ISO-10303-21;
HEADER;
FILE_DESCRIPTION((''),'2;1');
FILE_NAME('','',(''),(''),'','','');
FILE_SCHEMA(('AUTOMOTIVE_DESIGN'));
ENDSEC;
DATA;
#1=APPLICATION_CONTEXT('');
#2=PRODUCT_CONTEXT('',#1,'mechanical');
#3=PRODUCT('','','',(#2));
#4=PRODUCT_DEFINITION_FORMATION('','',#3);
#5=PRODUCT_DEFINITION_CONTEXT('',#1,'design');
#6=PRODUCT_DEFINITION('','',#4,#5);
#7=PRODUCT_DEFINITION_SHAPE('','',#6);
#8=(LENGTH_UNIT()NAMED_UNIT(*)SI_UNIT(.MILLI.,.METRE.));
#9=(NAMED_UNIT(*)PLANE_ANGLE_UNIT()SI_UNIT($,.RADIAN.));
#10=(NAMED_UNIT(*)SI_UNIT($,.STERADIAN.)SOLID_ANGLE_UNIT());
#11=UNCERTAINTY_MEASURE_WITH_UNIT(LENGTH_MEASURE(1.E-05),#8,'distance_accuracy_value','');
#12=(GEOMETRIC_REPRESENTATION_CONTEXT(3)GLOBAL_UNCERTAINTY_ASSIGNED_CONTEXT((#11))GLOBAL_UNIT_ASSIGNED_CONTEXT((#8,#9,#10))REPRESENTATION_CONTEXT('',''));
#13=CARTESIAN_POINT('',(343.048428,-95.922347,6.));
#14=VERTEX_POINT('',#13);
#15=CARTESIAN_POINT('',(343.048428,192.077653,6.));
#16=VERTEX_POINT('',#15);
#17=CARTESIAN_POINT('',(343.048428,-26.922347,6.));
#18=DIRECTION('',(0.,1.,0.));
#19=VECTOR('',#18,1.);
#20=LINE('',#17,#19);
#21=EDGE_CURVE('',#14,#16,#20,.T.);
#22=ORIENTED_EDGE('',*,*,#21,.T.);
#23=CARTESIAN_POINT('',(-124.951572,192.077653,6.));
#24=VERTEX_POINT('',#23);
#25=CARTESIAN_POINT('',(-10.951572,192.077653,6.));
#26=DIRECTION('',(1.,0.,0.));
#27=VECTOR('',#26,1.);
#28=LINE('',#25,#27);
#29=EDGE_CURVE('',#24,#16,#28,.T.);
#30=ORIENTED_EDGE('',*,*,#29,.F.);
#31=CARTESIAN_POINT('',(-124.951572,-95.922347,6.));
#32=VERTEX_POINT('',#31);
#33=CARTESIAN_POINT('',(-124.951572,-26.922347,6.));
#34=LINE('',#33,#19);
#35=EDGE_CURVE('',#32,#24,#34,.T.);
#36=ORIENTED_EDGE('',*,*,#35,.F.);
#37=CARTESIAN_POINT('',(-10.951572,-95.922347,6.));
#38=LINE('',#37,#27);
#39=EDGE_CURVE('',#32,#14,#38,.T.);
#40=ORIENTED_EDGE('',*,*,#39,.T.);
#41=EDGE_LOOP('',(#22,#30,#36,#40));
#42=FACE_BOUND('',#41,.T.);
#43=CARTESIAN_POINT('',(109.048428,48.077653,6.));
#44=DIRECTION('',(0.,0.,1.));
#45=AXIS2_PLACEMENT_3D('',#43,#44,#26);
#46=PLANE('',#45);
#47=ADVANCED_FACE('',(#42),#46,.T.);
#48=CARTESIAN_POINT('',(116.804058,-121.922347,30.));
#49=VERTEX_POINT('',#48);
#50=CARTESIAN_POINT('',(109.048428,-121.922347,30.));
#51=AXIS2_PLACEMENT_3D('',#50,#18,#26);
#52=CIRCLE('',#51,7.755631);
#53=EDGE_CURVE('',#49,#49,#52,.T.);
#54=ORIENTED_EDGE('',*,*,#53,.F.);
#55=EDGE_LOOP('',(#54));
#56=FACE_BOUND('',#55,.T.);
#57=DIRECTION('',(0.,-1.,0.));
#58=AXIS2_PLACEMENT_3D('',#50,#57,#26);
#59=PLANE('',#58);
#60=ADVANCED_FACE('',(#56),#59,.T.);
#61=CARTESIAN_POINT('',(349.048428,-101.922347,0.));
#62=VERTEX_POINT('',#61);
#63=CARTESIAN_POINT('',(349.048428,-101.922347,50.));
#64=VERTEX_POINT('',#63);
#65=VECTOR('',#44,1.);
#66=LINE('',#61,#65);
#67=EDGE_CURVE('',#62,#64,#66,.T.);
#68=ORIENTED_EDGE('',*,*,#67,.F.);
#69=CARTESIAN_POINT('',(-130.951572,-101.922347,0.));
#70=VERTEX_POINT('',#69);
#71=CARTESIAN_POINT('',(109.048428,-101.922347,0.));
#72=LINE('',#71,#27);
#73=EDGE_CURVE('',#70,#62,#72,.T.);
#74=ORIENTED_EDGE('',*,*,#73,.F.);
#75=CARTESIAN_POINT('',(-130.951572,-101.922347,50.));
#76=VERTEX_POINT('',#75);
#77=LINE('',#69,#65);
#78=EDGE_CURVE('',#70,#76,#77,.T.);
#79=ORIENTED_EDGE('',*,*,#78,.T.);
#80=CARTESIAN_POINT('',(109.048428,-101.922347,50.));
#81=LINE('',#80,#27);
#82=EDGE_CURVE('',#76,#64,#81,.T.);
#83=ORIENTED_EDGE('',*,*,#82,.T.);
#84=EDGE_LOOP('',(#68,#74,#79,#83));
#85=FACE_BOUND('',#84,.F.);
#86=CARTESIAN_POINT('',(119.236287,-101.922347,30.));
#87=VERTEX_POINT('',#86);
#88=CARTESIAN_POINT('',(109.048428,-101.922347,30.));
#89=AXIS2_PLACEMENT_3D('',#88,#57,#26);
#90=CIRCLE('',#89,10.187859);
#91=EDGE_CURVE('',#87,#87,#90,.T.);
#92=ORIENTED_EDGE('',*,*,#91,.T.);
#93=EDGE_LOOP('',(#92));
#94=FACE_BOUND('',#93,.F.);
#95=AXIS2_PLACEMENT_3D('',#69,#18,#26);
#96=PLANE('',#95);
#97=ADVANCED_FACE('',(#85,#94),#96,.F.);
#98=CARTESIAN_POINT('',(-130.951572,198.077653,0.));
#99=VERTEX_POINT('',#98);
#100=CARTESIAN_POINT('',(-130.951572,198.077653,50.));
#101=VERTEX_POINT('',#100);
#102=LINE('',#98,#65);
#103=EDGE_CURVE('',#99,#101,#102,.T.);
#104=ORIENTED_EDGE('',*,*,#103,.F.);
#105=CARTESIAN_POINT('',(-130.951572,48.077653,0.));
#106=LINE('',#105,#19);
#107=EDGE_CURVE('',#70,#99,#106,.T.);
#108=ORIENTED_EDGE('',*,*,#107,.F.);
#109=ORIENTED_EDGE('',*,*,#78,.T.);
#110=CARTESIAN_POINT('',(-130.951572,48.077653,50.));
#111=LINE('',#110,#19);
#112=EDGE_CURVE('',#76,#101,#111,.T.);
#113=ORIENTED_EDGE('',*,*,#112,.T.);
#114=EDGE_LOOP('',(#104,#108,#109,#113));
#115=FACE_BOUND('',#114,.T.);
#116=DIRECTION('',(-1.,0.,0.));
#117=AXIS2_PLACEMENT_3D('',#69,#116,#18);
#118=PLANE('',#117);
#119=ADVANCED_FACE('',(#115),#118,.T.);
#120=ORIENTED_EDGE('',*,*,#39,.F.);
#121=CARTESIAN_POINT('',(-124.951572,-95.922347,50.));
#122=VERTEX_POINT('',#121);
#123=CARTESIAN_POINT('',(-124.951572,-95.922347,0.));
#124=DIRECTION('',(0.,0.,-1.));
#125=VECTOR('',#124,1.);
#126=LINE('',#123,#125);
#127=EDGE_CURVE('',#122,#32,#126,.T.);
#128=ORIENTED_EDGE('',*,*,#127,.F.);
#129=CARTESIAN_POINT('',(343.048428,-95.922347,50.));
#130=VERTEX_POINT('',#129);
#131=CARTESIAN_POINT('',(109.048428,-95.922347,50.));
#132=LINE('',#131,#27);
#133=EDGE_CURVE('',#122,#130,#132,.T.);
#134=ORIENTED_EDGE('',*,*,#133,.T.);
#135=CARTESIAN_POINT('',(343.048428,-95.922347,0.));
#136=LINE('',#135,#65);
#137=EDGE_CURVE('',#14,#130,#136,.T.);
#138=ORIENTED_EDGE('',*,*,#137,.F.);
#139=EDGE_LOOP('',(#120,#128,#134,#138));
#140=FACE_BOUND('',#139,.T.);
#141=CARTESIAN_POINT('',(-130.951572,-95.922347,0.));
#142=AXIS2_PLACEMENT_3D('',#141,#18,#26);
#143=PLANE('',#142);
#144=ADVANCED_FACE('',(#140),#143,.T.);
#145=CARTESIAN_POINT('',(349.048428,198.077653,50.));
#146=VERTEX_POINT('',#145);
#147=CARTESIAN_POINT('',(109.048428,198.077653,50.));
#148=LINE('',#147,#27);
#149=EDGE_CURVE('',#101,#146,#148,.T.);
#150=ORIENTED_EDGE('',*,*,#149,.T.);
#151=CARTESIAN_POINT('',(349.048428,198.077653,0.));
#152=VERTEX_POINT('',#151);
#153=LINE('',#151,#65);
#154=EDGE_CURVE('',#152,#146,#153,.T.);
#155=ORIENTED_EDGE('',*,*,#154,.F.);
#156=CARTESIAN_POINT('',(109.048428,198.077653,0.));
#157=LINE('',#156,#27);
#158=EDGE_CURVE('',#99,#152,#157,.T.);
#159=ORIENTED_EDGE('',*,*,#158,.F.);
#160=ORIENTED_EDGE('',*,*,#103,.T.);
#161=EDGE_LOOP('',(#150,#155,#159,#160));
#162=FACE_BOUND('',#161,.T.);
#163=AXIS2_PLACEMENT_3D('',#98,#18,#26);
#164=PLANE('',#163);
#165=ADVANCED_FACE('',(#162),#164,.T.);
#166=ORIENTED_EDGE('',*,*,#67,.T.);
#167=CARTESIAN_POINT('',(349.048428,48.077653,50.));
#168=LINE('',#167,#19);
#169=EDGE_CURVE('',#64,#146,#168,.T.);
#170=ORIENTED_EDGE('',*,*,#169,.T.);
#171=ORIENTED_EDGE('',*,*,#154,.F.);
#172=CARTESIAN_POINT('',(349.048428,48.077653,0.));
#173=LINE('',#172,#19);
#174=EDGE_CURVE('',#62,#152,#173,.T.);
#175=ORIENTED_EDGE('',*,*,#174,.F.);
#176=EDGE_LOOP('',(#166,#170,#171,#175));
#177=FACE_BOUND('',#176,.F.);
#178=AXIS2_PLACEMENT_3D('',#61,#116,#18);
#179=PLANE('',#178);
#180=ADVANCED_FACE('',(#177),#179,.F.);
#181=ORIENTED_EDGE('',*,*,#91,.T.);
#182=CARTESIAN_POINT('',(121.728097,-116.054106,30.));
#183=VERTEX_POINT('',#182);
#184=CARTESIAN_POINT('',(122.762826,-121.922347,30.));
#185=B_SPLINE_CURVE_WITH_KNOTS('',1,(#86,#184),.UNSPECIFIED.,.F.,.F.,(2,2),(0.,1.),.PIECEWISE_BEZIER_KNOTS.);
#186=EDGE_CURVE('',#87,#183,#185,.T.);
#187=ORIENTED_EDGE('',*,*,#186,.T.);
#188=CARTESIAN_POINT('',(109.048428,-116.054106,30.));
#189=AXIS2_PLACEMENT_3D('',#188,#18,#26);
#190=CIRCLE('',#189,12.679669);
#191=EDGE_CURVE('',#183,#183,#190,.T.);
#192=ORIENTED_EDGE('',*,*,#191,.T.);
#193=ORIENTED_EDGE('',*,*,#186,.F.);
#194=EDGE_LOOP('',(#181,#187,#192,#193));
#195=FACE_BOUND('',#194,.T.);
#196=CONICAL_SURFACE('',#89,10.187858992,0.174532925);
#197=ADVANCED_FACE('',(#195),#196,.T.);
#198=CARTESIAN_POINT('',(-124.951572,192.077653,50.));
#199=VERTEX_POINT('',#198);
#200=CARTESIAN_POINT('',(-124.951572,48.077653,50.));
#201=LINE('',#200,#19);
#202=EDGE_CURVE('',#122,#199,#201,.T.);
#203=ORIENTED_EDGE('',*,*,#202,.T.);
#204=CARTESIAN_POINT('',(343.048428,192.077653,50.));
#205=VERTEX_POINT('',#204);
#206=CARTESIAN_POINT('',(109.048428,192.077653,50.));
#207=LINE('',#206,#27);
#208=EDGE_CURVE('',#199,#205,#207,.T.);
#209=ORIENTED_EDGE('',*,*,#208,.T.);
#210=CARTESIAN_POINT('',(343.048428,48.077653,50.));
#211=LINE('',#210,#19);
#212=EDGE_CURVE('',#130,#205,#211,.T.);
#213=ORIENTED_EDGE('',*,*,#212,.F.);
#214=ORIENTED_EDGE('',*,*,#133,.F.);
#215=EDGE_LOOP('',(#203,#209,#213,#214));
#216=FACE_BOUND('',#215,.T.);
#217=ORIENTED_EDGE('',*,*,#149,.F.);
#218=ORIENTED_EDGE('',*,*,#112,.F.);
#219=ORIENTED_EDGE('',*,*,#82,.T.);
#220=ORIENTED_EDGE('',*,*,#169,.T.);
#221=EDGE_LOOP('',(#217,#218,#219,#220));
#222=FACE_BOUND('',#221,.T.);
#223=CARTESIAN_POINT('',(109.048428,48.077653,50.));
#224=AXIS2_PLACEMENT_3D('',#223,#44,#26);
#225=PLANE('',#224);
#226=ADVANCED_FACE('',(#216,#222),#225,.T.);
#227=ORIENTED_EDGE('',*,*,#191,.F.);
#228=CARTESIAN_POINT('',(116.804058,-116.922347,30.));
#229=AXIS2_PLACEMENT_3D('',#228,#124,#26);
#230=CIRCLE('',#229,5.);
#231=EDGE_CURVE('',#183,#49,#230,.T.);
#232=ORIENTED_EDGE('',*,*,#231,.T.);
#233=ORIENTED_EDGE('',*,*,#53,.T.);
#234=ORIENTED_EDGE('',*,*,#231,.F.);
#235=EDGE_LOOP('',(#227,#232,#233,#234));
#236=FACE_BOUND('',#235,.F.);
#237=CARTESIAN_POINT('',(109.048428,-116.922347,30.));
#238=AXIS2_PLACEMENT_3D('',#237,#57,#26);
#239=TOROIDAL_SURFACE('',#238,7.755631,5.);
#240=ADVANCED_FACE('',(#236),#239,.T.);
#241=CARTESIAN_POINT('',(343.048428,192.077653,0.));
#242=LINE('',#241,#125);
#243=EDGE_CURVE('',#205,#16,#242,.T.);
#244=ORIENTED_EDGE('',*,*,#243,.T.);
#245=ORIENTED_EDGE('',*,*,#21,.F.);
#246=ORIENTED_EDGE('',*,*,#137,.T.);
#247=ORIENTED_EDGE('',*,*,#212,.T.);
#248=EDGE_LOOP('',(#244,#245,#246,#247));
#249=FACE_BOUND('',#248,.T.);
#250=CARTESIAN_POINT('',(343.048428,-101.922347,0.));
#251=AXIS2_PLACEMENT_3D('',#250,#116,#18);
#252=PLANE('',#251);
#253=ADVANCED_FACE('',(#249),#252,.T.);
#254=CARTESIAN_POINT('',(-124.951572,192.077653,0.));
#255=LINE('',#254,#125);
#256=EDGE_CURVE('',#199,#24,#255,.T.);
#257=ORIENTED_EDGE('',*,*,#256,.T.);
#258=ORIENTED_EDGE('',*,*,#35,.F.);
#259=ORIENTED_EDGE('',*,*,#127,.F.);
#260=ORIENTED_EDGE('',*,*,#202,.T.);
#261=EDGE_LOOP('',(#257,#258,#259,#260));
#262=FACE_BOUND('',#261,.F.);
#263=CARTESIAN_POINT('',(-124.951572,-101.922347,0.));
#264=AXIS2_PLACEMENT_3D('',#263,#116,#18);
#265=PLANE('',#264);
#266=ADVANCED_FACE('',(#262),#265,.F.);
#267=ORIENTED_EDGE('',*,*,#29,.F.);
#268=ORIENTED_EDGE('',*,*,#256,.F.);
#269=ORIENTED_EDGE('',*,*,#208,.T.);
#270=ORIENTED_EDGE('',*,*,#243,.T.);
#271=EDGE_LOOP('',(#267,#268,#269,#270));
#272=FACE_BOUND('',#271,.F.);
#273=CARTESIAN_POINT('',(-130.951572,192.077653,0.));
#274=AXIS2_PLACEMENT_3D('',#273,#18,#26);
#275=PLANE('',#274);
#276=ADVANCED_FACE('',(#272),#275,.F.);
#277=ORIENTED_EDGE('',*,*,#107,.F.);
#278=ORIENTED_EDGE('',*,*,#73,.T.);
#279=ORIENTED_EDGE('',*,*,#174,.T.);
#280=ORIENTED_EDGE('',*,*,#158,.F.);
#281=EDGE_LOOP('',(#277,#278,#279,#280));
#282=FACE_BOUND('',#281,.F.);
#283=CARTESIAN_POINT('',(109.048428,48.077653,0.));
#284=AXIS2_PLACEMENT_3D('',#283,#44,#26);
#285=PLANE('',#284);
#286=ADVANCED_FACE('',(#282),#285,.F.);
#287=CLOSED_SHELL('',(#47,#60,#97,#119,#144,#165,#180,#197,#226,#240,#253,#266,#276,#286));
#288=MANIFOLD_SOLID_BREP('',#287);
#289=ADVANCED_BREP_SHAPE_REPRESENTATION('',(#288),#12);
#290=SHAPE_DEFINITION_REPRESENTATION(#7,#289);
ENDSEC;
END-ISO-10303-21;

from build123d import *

# Parameters (mm, degrees)
F0_W     = 480
F0_H     = 300
F1_DEPTH = 50
F2_T     = -6
F3_R     = 10.1878589924
F4_DEPTH = 20
F4_TAPER = -10
F5_R     = 5


with BuildPart() as f1:
    # F0 (on Top) → F1 (new body)
    with BuildSketch(Plane.XY):
        with Locations((109.0484277904, 48.0776532779)):
            Rectangle(F0_W, F0_H)
    extrude(amount=F1_DEPTH)

    # F2
    f2_openings = [f1.faces().sort_by_distance(p)[0] for p in [
        (109.048428, 48.077653, 50),
    ]]
    offset(amount=F2_T, openings=f2_openings)

    # F3 (on face) → F4 (join)
    with BuildSketch(Plane.XZ.offset(101.9223467221)):
        with Locations((109.0484277904, 30)):
            Circle(F3_R)
    extrude(amount=F4_DEPTH, taper=F4_TAPER)

    # F5
    f5_edges = [f1.edges().sort_by_distance(p)[0] for p in [
        (95.334029, -121.922347, 30),
    ]]
    fillet(f5_edges, radius=F5_R)


solid = f1.part
